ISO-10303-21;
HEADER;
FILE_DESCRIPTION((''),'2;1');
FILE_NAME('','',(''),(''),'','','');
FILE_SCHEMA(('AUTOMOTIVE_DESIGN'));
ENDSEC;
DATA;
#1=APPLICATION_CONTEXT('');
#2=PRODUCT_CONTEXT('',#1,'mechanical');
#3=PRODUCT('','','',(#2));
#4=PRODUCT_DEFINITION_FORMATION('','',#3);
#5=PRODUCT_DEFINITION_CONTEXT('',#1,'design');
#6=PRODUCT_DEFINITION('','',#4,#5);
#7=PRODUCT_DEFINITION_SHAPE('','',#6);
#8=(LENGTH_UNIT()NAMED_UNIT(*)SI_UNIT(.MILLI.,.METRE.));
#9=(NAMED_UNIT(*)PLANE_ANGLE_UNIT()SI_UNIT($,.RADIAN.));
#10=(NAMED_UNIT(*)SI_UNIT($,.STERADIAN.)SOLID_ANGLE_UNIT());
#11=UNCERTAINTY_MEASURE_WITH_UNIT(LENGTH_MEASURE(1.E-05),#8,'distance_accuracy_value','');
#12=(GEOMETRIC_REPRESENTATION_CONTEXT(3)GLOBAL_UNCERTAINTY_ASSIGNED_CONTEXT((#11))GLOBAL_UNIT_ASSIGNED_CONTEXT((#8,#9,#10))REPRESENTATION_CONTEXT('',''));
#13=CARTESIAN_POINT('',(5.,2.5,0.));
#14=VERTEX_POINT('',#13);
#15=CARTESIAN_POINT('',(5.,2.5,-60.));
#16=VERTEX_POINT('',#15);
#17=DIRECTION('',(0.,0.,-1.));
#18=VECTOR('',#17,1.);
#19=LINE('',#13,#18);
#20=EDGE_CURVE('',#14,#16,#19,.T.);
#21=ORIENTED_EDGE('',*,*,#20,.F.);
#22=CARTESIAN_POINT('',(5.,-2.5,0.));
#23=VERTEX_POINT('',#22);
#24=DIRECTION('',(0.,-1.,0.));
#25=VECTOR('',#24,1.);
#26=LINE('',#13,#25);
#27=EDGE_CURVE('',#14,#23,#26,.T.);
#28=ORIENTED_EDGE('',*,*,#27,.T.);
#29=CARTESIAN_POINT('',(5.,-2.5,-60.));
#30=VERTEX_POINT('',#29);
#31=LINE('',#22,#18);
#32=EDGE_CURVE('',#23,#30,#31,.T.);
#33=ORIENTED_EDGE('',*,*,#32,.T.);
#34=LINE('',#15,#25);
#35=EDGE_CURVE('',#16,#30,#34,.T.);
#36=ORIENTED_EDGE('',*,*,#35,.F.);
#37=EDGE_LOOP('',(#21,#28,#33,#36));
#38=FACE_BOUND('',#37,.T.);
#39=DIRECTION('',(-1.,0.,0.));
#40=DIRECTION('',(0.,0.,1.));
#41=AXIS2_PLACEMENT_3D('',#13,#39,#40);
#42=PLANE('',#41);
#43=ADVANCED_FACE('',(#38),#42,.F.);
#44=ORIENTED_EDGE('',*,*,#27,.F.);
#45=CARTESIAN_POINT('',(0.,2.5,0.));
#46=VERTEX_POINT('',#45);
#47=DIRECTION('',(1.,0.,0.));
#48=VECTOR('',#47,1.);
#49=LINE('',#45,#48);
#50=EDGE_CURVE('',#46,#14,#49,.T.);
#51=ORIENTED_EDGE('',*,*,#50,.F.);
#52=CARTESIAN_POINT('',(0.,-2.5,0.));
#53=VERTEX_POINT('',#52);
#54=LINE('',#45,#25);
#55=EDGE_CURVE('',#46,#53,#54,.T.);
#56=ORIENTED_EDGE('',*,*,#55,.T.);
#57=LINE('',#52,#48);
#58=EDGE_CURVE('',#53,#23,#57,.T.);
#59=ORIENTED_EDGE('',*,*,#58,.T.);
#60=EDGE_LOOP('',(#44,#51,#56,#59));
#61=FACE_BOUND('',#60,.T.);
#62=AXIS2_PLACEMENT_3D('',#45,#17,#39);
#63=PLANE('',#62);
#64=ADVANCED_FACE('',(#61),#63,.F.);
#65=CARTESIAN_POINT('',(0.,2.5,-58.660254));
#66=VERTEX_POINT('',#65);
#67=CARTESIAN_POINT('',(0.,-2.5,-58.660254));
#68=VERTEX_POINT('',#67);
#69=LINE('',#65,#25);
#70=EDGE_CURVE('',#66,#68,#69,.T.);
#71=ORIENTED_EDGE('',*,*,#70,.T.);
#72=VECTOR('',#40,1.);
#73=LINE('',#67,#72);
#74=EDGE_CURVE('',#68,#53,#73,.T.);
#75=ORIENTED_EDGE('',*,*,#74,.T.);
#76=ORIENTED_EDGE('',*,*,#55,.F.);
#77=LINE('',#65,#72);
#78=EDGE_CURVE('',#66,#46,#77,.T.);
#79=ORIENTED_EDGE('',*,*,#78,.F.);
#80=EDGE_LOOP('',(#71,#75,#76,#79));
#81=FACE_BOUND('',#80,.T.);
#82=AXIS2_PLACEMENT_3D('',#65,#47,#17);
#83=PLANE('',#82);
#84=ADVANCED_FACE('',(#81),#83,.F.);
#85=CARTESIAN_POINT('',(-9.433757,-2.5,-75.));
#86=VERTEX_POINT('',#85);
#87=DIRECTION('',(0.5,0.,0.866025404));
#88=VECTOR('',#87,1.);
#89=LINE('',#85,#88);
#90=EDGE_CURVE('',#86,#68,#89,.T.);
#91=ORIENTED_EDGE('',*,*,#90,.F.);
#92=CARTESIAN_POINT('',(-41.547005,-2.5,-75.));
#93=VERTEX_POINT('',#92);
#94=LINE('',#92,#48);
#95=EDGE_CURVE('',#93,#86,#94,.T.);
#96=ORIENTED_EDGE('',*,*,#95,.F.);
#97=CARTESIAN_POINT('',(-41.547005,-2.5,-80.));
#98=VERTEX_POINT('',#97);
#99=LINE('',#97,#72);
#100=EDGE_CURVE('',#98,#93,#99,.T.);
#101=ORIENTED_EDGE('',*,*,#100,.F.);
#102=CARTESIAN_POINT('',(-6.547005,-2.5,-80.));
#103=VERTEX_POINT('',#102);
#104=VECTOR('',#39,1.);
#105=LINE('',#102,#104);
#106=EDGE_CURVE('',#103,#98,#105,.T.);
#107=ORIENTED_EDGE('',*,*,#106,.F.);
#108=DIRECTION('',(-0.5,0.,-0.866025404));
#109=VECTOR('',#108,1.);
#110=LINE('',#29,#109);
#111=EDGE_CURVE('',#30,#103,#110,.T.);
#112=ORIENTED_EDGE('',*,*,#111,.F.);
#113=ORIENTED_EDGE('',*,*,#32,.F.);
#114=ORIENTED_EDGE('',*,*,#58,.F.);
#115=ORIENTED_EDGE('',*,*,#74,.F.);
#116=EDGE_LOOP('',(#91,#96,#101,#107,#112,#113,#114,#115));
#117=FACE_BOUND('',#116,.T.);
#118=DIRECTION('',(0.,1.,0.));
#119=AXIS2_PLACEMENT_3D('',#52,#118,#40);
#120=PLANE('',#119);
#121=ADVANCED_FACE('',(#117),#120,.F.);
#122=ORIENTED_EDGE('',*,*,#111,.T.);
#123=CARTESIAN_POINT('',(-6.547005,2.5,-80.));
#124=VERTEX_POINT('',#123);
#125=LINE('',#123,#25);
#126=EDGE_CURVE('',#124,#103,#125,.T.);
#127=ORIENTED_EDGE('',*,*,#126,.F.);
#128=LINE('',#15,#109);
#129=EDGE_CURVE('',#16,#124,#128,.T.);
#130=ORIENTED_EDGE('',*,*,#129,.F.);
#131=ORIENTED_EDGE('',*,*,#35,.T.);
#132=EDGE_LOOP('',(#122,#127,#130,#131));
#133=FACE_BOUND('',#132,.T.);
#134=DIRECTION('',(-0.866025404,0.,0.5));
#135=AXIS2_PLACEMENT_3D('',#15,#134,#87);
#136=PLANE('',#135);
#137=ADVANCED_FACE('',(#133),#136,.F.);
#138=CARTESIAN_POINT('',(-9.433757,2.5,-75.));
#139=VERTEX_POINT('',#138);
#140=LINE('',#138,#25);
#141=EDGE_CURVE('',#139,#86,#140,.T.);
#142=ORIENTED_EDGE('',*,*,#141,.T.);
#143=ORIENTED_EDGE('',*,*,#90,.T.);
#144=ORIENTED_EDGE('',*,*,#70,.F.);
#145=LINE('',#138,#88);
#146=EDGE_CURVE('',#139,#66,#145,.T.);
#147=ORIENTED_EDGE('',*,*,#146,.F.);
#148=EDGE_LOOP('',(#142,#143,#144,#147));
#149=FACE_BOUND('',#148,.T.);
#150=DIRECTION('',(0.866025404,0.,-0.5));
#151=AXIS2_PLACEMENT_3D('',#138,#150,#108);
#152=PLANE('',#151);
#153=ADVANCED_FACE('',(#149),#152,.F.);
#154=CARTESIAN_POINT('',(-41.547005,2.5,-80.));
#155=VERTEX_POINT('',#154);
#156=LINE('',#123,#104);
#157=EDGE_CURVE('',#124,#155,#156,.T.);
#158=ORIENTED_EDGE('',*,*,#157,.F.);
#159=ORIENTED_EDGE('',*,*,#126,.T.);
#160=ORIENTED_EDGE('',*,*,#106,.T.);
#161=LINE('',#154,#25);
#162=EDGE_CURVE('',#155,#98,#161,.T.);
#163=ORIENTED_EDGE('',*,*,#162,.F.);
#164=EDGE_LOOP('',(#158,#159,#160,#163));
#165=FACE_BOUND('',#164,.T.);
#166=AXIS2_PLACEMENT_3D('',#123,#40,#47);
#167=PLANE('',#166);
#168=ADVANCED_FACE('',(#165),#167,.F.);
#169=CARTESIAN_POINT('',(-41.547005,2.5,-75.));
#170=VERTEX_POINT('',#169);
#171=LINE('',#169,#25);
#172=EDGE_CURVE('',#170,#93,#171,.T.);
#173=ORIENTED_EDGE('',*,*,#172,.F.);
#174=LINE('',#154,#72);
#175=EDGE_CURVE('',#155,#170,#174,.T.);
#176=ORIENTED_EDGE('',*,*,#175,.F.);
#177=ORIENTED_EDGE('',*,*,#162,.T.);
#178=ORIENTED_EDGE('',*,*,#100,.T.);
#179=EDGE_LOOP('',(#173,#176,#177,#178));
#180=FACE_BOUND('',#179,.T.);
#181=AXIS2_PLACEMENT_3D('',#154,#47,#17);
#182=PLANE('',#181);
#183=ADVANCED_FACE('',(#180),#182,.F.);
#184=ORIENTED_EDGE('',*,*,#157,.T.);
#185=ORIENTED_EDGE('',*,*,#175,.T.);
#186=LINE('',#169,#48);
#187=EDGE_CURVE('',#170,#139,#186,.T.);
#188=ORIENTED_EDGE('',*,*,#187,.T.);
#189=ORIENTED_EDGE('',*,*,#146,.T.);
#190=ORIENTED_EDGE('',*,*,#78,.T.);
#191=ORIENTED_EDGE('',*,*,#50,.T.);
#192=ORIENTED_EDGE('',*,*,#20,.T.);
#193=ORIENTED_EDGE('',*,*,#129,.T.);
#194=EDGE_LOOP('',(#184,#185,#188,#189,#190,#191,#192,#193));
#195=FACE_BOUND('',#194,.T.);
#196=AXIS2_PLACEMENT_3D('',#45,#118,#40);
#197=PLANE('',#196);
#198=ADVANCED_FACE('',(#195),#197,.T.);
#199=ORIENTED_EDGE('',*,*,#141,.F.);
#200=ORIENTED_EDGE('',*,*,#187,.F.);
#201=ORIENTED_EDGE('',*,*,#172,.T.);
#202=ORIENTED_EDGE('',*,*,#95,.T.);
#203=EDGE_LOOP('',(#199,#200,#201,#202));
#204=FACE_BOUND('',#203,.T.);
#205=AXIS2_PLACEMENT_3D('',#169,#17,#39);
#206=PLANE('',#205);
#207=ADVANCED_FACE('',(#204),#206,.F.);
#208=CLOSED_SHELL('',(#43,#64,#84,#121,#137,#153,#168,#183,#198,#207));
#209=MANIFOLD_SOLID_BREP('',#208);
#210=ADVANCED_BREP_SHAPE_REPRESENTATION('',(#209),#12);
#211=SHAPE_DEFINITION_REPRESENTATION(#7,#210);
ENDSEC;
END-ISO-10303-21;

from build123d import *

# Parameters (mm, degrees)
BOSS_EXTRUDE1_DEPTH = 2.5


with BuildPart() as part:
    # Sketch1 → Boss-Extrude1 (new, symmetric)
    with BuildSketch(Plane(origin=(0, 0, 0), x_dir=(1, 0, 0), z_dir=(0, 1, 0))):
        Polygon((-41.547005384, 80), (-41.547005384, 75), (-9.43375673, 75), (0, 58.660254038), (0, 0), (5, 0), (5, 60), (-6.547005384, 80), align=None)
    extrude(amount=BOSS_EXTRUDE1_DEPTH, both=True)


solid = part.part
